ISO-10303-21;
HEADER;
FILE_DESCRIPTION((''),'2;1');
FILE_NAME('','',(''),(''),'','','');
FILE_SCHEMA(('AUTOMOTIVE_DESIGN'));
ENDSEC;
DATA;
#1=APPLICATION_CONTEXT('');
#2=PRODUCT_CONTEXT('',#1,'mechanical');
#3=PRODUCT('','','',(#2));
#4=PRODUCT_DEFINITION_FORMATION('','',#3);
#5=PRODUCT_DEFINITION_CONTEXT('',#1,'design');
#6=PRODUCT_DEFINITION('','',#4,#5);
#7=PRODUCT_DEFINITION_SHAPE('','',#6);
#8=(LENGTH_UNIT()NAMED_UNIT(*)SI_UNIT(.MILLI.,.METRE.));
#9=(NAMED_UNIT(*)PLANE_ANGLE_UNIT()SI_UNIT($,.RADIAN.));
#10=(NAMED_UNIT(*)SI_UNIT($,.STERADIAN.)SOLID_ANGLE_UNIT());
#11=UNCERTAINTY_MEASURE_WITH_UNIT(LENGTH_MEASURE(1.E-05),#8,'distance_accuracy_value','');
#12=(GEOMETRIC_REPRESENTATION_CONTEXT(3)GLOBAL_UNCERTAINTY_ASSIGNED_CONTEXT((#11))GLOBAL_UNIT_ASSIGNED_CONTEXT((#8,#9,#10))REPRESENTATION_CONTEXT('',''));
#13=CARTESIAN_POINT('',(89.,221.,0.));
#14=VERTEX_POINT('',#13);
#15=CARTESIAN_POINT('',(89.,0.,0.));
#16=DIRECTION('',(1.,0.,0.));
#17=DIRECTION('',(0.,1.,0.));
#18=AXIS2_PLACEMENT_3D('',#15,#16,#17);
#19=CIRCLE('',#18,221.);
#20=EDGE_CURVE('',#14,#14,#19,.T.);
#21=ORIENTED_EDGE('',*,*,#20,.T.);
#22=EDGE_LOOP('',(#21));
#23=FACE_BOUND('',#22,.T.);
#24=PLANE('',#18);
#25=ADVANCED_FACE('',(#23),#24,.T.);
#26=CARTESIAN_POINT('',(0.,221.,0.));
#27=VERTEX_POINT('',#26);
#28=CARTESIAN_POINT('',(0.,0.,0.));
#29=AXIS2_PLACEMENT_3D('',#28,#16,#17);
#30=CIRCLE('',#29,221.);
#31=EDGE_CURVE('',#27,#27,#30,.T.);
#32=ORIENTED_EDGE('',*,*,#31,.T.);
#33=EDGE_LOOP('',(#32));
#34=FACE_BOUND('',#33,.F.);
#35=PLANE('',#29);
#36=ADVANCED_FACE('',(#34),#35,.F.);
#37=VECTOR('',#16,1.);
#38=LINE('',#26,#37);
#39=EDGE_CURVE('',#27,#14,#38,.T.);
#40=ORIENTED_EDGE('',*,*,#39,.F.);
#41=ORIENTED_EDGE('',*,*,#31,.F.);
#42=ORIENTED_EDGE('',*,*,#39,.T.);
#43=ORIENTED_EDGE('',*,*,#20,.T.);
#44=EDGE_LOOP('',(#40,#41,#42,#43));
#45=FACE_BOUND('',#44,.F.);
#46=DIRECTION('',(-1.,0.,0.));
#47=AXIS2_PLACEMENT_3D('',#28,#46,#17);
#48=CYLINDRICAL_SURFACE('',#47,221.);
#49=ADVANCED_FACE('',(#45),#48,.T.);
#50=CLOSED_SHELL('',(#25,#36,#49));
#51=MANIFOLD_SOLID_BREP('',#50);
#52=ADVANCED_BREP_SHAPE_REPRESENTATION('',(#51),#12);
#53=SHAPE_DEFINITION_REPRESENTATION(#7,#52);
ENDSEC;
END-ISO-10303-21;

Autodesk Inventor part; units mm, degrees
ref_plane "YZ Plane" through (0, 0, 0) normal (1, 0, 0) x (0, 1, 0)
ref_plane "XZ Plane" through (0, 0, 0) normal (0, 1, 0) x (-1, 0, 0)
ref_plane "XY Plane" through (0, 0, 0) normal (0, 0, 1) x (1, 0, 0)
sketch "Эскиз1" plane through (0, 0, 0) normal (1, 0, 0) x (0, 1, 0)
  circle A0 centre (0, 0) radius 221
  dimension "d0" = 442
extrude "Выдавливание1" add sketch "Эскиз1" along normal blind 89
properties part number "маховик" material "Сталь, легированная"
